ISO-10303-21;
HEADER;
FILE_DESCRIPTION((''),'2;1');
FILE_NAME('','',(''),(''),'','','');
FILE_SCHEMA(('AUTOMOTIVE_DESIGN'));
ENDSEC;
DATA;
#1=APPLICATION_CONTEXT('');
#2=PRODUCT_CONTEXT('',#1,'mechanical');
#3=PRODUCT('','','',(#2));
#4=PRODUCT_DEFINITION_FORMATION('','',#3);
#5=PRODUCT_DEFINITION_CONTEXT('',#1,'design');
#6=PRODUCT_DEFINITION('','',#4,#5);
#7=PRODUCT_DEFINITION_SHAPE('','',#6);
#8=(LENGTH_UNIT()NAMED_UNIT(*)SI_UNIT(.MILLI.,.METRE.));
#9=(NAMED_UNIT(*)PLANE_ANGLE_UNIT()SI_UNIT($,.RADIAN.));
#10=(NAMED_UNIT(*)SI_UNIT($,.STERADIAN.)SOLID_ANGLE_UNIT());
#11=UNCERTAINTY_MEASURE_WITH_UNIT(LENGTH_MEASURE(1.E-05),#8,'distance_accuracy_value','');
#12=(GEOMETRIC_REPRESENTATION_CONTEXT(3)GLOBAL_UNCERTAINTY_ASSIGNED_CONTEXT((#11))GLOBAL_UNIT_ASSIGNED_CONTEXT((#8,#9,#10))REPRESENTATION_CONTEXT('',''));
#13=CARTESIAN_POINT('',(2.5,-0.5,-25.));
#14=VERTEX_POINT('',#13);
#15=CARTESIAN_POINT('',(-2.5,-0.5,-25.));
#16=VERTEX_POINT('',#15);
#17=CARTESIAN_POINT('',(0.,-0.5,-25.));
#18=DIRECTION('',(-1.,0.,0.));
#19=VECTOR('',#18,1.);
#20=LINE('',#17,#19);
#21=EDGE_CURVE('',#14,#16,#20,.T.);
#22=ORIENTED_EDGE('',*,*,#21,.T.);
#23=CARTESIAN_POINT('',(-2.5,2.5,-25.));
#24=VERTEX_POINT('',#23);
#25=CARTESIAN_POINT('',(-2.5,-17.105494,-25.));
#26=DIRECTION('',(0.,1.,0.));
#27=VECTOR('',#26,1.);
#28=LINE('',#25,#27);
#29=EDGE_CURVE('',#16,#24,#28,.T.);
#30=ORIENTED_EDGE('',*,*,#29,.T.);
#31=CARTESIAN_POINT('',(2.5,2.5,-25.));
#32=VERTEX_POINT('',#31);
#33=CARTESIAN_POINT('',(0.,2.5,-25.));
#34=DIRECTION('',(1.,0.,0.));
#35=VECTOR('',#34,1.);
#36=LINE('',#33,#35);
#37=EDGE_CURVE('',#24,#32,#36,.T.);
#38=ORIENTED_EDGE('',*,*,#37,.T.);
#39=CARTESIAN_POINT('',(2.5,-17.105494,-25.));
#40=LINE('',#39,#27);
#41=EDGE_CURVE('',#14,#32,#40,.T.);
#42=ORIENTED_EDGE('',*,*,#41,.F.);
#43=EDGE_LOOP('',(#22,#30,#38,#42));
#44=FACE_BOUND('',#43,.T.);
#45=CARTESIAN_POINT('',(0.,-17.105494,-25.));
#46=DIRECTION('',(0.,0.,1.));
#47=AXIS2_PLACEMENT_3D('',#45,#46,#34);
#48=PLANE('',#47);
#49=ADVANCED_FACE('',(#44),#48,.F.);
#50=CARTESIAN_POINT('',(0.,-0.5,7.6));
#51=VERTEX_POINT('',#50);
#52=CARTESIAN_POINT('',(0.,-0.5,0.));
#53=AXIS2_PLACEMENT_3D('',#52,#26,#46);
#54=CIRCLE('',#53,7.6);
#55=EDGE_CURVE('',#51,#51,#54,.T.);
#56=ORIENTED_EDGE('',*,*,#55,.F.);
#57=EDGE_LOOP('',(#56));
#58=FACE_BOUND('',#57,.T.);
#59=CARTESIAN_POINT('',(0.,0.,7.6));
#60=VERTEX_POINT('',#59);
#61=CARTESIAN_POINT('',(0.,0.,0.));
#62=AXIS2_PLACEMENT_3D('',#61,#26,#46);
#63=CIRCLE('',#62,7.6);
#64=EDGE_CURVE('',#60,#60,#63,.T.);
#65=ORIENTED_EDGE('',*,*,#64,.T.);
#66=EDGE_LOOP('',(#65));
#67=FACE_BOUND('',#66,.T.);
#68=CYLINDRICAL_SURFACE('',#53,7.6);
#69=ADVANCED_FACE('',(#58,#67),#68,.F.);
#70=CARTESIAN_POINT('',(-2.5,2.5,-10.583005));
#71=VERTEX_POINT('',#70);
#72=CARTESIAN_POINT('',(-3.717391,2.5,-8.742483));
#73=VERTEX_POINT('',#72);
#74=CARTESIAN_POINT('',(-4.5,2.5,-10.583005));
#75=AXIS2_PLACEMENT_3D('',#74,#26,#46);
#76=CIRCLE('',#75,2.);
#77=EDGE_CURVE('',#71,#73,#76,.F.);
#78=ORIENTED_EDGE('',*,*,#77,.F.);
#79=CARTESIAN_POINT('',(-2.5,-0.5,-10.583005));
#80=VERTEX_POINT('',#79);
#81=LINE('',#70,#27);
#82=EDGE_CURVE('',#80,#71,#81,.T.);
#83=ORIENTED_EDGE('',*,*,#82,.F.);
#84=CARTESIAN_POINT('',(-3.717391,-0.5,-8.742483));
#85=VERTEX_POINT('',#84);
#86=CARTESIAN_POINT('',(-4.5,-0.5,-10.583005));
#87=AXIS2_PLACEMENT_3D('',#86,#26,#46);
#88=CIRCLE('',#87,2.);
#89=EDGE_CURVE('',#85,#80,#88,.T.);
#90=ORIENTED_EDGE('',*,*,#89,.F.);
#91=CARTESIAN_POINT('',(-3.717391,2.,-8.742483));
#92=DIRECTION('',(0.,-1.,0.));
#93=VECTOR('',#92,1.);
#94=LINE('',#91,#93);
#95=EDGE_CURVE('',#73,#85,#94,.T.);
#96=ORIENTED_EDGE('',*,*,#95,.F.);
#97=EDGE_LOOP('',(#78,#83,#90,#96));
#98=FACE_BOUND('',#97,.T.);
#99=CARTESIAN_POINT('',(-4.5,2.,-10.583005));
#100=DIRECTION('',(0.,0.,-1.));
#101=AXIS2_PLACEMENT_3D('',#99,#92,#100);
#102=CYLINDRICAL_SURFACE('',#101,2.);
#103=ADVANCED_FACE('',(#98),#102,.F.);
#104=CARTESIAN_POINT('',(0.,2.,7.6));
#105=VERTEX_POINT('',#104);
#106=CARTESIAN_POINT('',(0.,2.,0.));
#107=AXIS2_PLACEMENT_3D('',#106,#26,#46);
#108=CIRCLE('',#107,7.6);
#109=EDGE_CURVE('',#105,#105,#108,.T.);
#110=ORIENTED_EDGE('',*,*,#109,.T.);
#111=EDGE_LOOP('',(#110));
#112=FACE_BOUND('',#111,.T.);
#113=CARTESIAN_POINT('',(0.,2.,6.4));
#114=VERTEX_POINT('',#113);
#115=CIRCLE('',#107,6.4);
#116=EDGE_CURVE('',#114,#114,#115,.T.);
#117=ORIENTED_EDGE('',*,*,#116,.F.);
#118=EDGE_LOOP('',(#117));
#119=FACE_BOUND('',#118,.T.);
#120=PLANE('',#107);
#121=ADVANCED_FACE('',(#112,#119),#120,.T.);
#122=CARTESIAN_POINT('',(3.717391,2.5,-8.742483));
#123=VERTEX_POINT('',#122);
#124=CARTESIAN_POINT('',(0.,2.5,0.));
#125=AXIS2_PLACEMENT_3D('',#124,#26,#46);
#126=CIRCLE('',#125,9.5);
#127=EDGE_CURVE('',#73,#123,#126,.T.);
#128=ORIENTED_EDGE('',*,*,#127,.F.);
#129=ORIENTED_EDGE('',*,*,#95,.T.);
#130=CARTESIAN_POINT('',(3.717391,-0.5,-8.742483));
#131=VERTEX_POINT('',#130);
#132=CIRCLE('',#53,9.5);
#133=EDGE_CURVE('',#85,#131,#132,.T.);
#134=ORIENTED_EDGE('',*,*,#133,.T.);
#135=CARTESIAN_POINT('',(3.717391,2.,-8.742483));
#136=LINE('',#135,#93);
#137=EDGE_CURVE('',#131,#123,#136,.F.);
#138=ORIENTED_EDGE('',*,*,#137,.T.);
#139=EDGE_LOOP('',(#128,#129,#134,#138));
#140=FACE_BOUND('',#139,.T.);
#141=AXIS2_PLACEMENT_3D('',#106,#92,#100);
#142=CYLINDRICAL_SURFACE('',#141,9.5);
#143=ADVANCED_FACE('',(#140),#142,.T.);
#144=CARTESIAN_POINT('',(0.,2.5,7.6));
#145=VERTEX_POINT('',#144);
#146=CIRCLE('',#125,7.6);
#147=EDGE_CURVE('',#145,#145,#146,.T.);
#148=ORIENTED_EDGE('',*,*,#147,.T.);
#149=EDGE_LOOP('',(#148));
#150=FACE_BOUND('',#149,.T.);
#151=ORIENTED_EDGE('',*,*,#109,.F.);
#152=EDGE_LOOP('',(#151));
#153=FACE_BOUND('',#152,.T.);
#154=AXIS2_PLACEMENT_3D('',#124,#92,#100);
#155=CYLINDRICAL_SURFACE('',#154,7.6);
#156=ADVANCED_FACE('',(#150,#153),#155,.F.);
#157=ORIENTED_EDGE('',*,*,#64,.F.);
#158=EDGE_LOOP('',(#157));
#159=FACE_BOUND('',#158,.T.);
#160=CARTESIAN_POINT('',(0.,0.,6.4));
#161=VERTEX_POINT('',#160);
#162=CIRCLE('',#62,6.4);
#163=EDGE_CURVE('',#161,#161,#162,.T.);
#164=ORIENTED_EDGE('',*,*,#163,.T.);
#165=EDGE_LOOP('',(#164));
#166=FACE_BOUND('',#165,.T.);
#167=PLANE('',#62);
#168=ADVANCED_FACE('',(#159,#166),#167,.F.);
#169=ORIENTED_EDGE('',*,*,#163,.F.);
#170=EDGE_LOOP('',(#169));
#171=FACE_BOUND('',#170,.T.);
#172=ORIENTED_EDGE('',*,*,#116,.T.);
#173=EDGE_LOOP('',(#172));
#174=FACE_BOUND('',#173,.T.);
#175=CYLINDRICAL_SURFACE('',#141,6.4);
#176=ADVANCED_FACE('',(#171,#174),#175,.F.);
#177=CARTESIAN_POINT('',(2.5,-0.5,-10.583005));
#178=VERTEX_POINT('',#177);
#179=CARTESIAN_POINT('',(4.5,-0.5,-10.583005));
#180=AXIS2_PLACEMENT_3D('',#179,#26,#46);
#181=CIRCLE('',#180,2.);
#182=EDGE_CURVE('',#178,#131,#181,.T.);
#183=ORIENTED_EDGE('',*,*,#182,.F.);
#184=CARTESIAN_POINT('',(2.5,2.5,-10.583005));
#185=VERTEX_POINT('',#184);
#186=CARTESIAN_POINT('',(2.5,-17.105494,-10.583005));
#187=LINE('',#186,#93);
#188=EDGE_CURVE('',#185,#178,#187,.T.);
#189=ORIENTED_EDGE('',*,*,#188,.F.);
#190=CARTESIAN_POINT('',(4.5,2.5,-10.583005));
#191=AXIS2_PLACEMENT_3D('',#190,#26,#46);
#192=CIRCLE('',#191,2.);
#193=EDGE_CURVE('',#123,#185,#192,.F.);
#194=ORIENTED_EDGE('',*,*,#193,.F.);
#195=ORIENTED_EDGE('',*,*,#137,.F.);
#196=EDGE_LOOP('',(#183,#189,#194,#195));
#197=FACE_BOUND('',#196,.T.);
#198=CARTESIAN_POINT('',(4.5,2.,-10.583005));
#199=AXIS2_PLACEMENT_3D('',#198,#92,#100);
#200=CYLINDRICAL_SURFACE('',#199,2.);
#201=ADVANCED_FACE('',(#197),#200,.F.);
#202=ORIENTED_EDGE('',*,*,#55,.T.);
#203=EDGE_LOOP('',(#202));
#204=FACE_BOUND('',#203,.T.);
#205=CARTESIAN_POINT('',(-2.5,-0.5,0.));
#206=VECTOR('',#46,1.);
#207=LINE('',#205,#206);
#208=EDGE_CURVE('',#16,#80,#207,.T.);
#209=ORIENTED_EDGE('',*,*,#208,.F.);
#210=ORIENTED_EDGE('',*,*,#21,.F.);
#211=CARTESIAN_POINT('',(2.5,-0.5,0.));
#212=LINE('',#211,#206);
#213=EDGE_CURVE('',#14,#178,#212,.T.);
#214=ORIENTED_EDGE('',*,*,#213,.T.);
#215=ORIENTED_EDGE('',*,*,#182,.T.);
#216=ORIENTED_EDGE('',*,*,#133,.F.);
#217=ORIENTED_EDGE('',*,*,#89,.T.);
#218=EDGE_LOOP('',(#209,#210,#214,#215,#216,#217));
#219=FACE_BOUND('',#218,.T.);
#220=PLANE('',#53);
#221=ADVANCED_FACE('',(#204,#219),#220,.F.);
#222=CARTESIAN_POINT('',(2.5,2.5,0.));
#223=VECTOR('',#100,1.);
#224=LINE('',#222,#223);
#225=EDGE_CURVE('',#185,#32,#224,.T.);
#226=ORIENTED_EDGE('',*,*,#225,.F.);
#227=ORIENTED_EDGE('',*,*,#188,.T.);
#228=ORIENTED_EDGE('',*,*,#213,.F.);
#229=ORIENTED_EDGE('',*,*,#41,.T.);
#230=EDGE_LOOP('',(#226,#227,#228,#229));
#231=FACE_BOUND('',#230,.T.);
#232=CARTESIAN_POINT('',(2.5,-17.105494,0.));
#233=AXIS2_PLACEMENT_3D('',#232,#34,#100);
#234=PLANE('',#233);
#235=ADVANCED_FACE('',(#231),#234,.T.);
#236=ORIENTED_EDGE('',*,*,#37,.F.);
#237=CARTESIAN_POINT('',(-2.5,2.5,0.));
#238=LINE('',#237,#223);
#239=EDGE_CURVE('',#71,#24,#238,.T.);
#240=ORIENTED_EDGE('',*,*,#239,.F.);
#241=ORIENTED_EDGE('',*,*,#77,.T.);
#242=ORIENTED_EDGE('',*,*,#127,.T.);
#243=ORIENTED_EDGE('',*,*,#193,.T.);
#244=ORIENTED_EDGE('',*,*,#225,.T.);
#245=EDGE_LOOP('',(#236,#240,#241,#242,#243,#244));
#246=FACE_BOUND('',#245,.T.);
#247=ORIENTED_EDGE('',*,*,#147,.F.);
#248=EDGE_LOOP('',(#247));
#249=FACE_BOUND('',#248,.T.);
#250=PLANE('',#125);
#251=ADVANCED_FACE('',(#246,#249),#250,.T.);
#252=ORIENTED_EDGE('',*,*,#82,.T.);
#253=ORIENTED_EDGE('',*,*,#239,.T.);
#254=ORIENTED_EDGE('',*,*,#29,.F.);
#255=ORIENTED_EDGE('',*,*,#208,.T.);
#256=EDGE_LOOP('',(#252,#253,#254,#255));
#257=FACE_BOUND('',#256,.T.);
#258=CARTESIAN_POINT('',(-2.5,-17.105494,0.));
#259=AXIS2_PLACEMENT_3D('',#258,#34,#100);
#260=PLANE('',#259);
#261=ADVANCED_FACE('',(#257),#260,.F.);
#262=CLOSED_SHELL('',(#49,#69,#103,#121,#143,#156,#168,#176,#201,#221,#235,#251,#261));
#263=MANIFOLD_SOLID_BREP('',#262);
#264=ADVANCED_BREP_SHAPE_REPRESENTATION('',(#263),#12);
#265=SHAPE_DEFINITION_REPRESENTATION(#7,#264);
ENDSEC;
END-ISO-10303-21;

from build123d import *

# Parameters (mm, degrees)
SKETCH_1_R      = 9.5
SKETCH_1_R_2    = 6.4
EXTRUDE_1_DEPTH = 2
SKETCH_2_R      = 9.5
SKETCH_2_R_2    = 7.6
EXTRUDE_2_DEPTH = 0.5
EXTRUDE_START   = -2.5
SKETCH_2_2_R    = 9.5
SKETCH_2_2_R_2  = 7.6
EXTRUDE_3_DEPTH = 0.5
EXTRUDE_START_2 = -3
EXTRUDE_4_DEPTH = 3
FILLET_1_R      = 2


with BuildPart() as part:
    # 草图1 → 凸台-拉伸1 (new body)
    with BuildSketch(Plane(origin=(0, 0, 0), x_dir=(1, 0, 0), z_dir=(0, 1, 0))):
        with Locations(Location((0, 0, 0), (0, 0, 270))):
            Circle(SKETCH_1_R)
        with Locations(Location((0, 0, 0), (0, 0, 270))):
            Circle(SKETCH_1_R_2, mode=Mode.SUBTRACT)
    extrude(amount=EXTRUDE_1_DEPTH)

    # 草图2 → 凸台-拉伸2 (add)
    with BuildSketch(Plane(origin=(0, 2, 0), x_dir=(1, 0, 0), z_dir=(0, 1, 0))):
        with Locations(Location((0, 0, 0), (0, 0, 270))):
            Circle(SKETCH_2_R)
        with Locations(Location((0, 0, 0), (0, 0, 270))):
            Circle(SKETCH_2_R_2, mode=Mode.SUBTRACT)
    extrude(amount=EXTRUDE_2_DEPTH)

    # 草图2<2> → 凸台-拉伸3 (add)
    with BuildSketch(Plane(origin=(0, 2, 0), x_dir=(1, 0, 0), z_dir=(0, 1, 0)).offset(EXTRUDE_START)):
        with Locations(Location((0, 0, 0), (0, 0, 270))):
            Circle(SKETCH_2_2_R)
        with Locations(Location((0, 0, 0), (0, 0, 270))):
            Circle(SKETCH_2_2_R_2, mode=Mode.SUBTRACT)
    extrude(amount=EXTRUDE_3_DEPTH)

    # 草图4 → 凸台-拉伸4 (add)
    with BuildSketch(Plane(origin=(0, 2.5, 0), x_dir=(1, 0, 0), z_dir=(0, 1, 0)).offset(EXTRUDE_START_2)):
        with BuildLine():
            Line((-2.5, 25), (-2.5, 9.16515139))
            ThreePointArc((-2.5, 9.16515139), (0, 9.5), (2.5, 9.16515139))
            Line((2.5, 9.16515139), (2.5, 25))
            Line((2.5, 25), (-2.5, 25))
        make_face()
    extrude(amount=EXTRUDE_4_DEPTH)

    # 圆角1
    fillet_1_edges = [part.edges().sort_by_distance(p)[0] for p in [
        (2.5, 1, -9.16515139),
        (-2.5, 1, -9.16515139),
    ]]
    fillet(fillet_1_edges, radius=FILLET_1_R)


solid = part.part
